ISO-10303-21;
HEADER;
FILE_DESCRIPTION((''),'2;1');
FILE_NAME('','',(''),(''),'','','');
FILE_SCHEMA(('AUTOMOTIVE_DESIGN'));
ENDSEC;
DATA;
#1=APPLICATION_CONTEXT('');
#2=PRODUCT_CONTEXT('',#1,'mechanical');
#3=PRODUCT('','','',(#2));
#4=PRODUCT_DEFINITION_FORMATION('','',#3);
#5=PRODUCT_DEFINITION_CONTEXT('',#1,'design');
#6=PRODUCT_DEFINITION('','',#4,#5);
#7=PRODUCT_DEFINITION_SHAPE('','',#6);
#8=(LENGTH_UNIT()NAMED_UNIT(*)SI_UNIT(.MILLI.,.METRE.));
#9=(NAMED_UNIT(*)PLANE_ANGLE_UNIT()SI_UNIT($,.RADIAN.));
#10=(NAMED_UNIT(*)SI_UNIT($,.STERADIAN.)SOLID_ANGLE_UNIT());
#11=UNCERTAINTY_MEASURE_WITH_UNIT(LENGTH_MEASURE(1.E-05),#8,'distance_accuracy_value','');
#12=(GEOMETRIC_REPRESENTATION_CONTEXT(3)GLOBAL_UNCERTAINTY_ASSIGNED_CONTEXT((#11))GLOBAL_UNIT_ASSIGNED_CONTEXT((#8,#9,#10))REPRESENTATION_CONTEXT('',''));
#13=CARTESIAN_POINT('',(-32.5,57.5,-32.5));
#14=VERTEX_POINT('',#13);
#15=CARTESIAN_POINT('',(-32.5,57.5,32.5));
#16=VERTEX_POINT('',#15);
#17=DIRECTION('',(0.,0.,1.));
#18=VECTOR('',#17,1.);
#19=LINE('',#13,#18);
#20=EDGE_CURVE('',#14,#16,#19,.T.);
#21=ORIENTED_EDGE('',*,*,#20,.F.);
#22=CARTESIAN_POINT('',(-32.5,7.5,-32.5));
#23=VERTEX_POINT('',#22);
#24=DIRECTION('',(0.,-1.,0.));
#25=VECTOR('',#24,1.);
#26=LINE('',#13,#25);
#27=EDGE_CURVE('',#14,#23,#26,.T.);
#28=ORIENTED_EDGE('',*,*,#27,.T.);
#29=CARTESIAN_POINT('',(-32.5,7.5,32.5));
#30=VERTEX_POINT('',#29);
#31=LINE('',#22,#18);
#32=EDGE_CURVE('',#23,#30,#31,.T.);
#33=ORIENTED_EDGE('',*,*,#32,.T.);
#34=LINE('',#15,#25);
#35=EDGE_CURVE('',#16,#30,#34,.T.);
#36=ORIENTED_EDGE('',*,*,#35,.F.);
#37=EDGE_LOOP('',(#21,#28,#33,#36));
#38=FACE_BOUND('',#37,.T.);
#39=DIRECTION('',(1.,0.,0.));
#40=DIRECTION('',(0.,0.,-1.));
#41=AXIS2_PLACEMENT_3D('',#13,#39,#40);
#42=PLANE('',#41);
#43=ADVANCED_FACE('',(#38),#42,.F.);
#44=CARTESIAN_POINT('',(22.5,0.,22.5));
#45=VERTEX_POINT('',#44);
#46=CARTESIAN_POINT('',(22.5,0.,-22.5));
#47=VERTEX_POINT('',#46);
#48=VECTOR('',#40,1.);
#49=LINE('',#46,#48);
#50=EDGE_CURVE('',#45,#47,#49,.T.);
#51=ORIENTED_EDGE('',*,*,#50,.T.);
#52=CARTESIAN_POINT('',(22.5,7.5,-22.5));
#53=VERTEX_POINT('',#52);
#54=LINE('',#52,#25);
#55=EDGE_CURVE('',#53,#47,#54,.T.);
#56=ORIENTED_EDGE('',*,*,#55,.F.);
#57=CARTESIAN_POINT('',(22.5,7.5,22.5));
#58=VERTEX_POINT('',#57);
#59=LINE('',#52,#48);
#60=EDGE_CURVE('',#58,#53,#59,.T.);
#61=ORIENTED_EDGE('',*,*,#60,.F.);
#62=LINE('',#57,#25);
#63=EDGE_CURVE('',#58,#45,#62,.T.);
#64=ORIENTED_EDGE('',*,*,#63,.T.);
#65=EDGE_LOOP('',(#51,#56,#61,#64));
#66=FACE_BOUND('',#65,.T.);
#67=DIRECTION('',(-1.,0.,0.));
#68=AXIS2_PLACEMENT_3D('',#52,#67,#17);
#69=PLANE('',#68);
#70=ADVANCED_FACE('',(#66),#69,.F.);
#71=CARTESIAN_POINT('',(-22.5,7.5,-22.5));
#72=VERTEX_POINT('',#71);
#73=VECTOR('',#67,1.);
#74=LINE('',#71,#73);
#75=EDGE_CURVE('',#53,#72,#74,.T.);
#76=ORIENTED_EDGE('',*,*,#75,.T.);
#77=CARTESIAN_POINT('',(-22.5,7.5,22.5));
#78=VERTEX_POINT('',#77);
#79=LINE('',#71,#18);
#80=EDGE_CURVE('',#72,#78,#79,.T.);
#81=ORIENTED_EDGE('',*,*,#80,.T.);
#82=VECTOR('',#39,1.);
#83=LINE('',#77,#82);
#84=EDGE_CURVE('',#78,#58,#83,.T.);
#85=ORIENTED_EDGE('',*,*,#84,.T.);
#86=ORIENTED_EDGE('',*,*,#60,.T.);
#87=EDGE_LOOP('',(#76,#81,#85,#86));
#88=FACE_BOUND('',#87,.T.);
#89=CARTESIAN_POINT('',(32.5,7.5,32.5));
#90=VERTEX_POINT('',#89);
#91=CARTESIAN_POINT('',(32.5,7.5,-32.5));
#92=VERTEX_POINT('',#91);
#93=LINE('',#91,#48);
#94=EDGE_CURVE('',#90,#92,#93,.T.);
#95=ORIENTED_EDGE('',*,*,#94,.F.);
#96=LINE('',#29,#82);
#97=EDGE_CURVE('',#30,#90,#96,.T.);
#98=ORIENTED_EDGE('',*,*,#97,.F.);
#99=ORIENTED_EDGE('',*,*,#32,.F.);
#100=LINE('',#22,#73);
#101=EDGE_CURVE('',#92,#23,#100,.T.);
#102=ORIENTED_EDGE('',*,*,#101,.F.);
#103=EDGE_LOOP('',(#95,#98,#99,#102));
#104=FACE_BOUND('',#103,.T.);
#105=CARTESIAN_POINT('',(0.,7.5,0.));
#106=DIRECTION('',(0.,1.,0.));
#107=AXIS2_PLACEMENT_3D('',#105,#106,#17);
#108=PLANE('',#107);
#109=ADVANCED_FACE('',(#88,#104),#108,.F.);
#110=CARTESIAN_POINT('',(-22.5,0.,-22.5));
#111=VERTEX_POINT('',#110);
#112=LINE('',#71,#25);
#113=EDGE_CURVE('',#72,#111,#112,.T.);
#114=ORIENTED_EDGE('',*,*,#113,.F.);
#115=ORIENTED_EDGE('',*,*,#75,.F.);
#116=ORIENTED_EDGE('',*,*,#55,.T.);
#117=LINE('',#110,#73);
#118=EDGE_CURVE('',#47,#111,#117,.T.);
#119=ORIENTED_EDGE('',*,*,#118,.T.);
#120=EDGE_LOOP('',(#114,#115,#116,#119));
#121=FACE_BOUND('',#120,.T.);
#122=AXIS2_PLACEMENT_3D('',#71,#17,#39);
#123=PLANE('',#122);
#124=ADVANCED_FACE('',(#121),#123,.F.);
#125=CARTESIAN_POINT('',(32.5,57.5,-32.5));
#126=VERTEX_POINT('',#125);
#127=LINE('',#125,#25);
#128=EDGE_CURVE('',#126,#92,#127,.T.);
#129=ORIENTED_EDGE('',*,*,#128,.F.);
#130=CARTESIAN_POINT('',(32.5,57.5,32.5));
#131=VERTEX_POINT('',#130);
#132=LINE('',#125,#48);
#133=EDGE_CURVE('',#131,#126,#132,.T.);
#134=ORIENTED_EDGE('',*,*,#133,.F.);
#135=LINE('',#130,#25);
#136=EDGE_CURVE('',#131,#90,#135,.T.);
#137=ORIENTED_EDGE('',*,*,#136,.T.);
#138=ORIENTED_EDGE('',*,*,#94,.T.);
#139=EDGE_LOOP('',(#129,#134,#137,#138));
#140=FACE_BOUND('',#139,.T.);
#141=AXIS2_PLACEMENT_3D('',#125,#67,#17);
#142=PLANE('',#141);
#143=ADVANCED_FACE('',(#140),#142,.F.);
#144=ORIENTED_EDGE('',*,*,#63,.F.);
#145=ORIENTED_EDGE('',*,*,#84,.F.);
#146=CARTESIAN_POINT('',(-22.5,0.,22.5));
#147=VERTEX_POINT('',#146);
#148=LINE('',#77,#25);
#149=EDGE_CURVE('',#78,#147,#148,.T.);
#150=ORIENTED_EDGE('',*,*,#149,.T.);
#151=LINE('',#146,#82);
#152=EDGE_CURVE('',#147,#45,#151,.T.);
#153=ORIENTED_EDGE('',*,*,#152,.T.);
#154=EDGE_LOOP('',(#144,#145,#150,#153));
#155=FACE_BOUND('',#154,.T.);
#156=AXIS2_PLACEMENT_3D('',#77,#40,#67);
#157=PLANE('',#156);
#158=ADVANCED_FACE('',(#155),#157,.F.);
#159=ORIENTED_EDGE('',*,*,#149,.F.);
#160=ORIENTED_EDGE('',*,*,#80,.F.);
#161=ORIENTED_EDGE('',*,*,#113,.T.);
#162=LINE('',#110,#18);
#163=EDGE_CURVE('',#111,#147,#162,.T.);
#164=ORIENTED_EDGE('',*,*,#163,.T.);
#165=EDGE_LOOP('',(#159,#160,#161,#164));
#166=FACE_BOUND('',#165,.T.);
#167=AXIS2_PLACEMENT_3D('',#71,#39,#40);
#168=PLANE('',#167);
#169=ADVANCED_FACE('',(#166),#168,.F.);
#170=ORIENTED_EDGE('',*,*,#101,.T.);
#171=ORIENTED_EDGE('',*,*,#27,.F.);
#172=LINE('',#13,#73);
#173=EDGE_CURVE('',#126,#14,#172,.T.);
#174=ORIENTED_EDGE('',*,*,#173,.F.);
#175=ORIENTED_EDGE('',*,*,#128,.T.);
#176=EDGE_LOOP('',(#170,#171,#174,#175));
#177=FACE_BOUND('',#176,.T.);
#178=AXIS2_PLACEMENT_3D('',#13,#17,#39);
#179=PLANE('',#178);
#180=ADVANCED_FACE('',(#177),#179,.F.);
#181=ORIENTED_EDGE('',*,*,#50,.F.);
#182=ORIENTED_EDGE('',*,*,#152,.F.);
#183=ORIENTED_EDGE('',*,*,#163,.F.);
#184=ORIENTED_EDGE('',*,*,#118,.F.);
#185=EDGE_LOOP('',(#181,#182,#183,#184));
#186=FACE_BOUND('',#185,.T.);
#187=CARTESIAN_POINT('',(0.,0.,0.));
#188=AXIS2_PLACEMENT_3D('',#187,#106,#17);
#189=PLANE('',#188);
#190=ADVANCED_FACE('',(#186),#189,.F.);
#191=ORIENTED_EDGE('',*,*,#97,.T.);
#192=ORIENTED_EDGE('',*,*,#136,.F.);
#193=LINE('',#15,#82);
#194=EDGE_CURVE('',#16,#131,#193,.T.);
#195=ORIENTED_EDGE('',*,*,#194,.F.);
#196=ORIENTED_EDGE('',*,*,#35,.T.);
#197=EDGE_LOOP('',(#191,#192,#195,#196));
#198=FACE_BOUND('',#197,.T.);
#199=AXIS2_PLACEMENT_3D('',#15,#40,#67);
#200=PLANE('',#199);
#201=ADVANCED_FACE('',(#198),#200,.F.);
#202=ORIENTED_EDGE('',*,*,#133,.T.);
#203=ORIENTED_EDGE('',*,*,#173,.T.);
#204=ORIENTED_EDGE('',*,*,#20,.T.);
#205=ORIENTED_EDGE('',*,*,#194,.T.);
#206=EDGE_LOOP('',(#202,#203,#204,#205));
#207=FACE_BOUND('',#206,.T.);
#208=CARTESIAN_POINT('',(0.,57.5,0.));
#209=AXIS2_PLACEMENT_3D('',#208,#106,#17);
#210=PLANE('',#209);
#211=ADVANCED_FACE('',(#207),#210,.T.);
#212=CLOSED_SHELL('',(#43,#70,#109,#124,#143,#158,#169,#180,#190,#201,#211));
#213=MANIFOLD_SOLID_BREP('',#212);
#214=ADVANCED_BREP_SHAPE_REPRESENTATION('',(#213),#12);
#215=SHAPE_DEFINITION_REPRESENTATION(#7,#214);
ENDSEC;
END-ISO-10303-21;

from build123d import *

# Parameters (mm, degrees)
SKETCH1_W           = 45
SKETCH1_H           = 45
BOSS_EXTRUDE1_DEPTH = 7.5
SKETCH2_W           = 65
SKETCH2_H           = 65
BOSS_EXTRUDE2_DEPTH = 50


with BuildPart() as part:
    # Sketch1 → Boss-Extrude1 (new body)
    with BuildSketch(Plane(origin=(0, 0, 0), x_dir=(1, 0, 0), z_dir=(0, 1, 0))):
        Rectangle(SKETCH1_W, SKETCH1_H)
    extrude(amount=BOSS_EXTRUDE1_DEPTH)

    # Sketch2 → Boss-Extrude2 (add)
    with BuildSketch(Plane(origin=(0, 7.5, 0), x_dir=(1, 0, 0), z_dir=(0, 1, 0))):
        Rectangle(SKETCH2_W, SKETCH2_H)
    extrude(amount=BOSS_EXTRUDE2_DEPTH)


solid = part.part
